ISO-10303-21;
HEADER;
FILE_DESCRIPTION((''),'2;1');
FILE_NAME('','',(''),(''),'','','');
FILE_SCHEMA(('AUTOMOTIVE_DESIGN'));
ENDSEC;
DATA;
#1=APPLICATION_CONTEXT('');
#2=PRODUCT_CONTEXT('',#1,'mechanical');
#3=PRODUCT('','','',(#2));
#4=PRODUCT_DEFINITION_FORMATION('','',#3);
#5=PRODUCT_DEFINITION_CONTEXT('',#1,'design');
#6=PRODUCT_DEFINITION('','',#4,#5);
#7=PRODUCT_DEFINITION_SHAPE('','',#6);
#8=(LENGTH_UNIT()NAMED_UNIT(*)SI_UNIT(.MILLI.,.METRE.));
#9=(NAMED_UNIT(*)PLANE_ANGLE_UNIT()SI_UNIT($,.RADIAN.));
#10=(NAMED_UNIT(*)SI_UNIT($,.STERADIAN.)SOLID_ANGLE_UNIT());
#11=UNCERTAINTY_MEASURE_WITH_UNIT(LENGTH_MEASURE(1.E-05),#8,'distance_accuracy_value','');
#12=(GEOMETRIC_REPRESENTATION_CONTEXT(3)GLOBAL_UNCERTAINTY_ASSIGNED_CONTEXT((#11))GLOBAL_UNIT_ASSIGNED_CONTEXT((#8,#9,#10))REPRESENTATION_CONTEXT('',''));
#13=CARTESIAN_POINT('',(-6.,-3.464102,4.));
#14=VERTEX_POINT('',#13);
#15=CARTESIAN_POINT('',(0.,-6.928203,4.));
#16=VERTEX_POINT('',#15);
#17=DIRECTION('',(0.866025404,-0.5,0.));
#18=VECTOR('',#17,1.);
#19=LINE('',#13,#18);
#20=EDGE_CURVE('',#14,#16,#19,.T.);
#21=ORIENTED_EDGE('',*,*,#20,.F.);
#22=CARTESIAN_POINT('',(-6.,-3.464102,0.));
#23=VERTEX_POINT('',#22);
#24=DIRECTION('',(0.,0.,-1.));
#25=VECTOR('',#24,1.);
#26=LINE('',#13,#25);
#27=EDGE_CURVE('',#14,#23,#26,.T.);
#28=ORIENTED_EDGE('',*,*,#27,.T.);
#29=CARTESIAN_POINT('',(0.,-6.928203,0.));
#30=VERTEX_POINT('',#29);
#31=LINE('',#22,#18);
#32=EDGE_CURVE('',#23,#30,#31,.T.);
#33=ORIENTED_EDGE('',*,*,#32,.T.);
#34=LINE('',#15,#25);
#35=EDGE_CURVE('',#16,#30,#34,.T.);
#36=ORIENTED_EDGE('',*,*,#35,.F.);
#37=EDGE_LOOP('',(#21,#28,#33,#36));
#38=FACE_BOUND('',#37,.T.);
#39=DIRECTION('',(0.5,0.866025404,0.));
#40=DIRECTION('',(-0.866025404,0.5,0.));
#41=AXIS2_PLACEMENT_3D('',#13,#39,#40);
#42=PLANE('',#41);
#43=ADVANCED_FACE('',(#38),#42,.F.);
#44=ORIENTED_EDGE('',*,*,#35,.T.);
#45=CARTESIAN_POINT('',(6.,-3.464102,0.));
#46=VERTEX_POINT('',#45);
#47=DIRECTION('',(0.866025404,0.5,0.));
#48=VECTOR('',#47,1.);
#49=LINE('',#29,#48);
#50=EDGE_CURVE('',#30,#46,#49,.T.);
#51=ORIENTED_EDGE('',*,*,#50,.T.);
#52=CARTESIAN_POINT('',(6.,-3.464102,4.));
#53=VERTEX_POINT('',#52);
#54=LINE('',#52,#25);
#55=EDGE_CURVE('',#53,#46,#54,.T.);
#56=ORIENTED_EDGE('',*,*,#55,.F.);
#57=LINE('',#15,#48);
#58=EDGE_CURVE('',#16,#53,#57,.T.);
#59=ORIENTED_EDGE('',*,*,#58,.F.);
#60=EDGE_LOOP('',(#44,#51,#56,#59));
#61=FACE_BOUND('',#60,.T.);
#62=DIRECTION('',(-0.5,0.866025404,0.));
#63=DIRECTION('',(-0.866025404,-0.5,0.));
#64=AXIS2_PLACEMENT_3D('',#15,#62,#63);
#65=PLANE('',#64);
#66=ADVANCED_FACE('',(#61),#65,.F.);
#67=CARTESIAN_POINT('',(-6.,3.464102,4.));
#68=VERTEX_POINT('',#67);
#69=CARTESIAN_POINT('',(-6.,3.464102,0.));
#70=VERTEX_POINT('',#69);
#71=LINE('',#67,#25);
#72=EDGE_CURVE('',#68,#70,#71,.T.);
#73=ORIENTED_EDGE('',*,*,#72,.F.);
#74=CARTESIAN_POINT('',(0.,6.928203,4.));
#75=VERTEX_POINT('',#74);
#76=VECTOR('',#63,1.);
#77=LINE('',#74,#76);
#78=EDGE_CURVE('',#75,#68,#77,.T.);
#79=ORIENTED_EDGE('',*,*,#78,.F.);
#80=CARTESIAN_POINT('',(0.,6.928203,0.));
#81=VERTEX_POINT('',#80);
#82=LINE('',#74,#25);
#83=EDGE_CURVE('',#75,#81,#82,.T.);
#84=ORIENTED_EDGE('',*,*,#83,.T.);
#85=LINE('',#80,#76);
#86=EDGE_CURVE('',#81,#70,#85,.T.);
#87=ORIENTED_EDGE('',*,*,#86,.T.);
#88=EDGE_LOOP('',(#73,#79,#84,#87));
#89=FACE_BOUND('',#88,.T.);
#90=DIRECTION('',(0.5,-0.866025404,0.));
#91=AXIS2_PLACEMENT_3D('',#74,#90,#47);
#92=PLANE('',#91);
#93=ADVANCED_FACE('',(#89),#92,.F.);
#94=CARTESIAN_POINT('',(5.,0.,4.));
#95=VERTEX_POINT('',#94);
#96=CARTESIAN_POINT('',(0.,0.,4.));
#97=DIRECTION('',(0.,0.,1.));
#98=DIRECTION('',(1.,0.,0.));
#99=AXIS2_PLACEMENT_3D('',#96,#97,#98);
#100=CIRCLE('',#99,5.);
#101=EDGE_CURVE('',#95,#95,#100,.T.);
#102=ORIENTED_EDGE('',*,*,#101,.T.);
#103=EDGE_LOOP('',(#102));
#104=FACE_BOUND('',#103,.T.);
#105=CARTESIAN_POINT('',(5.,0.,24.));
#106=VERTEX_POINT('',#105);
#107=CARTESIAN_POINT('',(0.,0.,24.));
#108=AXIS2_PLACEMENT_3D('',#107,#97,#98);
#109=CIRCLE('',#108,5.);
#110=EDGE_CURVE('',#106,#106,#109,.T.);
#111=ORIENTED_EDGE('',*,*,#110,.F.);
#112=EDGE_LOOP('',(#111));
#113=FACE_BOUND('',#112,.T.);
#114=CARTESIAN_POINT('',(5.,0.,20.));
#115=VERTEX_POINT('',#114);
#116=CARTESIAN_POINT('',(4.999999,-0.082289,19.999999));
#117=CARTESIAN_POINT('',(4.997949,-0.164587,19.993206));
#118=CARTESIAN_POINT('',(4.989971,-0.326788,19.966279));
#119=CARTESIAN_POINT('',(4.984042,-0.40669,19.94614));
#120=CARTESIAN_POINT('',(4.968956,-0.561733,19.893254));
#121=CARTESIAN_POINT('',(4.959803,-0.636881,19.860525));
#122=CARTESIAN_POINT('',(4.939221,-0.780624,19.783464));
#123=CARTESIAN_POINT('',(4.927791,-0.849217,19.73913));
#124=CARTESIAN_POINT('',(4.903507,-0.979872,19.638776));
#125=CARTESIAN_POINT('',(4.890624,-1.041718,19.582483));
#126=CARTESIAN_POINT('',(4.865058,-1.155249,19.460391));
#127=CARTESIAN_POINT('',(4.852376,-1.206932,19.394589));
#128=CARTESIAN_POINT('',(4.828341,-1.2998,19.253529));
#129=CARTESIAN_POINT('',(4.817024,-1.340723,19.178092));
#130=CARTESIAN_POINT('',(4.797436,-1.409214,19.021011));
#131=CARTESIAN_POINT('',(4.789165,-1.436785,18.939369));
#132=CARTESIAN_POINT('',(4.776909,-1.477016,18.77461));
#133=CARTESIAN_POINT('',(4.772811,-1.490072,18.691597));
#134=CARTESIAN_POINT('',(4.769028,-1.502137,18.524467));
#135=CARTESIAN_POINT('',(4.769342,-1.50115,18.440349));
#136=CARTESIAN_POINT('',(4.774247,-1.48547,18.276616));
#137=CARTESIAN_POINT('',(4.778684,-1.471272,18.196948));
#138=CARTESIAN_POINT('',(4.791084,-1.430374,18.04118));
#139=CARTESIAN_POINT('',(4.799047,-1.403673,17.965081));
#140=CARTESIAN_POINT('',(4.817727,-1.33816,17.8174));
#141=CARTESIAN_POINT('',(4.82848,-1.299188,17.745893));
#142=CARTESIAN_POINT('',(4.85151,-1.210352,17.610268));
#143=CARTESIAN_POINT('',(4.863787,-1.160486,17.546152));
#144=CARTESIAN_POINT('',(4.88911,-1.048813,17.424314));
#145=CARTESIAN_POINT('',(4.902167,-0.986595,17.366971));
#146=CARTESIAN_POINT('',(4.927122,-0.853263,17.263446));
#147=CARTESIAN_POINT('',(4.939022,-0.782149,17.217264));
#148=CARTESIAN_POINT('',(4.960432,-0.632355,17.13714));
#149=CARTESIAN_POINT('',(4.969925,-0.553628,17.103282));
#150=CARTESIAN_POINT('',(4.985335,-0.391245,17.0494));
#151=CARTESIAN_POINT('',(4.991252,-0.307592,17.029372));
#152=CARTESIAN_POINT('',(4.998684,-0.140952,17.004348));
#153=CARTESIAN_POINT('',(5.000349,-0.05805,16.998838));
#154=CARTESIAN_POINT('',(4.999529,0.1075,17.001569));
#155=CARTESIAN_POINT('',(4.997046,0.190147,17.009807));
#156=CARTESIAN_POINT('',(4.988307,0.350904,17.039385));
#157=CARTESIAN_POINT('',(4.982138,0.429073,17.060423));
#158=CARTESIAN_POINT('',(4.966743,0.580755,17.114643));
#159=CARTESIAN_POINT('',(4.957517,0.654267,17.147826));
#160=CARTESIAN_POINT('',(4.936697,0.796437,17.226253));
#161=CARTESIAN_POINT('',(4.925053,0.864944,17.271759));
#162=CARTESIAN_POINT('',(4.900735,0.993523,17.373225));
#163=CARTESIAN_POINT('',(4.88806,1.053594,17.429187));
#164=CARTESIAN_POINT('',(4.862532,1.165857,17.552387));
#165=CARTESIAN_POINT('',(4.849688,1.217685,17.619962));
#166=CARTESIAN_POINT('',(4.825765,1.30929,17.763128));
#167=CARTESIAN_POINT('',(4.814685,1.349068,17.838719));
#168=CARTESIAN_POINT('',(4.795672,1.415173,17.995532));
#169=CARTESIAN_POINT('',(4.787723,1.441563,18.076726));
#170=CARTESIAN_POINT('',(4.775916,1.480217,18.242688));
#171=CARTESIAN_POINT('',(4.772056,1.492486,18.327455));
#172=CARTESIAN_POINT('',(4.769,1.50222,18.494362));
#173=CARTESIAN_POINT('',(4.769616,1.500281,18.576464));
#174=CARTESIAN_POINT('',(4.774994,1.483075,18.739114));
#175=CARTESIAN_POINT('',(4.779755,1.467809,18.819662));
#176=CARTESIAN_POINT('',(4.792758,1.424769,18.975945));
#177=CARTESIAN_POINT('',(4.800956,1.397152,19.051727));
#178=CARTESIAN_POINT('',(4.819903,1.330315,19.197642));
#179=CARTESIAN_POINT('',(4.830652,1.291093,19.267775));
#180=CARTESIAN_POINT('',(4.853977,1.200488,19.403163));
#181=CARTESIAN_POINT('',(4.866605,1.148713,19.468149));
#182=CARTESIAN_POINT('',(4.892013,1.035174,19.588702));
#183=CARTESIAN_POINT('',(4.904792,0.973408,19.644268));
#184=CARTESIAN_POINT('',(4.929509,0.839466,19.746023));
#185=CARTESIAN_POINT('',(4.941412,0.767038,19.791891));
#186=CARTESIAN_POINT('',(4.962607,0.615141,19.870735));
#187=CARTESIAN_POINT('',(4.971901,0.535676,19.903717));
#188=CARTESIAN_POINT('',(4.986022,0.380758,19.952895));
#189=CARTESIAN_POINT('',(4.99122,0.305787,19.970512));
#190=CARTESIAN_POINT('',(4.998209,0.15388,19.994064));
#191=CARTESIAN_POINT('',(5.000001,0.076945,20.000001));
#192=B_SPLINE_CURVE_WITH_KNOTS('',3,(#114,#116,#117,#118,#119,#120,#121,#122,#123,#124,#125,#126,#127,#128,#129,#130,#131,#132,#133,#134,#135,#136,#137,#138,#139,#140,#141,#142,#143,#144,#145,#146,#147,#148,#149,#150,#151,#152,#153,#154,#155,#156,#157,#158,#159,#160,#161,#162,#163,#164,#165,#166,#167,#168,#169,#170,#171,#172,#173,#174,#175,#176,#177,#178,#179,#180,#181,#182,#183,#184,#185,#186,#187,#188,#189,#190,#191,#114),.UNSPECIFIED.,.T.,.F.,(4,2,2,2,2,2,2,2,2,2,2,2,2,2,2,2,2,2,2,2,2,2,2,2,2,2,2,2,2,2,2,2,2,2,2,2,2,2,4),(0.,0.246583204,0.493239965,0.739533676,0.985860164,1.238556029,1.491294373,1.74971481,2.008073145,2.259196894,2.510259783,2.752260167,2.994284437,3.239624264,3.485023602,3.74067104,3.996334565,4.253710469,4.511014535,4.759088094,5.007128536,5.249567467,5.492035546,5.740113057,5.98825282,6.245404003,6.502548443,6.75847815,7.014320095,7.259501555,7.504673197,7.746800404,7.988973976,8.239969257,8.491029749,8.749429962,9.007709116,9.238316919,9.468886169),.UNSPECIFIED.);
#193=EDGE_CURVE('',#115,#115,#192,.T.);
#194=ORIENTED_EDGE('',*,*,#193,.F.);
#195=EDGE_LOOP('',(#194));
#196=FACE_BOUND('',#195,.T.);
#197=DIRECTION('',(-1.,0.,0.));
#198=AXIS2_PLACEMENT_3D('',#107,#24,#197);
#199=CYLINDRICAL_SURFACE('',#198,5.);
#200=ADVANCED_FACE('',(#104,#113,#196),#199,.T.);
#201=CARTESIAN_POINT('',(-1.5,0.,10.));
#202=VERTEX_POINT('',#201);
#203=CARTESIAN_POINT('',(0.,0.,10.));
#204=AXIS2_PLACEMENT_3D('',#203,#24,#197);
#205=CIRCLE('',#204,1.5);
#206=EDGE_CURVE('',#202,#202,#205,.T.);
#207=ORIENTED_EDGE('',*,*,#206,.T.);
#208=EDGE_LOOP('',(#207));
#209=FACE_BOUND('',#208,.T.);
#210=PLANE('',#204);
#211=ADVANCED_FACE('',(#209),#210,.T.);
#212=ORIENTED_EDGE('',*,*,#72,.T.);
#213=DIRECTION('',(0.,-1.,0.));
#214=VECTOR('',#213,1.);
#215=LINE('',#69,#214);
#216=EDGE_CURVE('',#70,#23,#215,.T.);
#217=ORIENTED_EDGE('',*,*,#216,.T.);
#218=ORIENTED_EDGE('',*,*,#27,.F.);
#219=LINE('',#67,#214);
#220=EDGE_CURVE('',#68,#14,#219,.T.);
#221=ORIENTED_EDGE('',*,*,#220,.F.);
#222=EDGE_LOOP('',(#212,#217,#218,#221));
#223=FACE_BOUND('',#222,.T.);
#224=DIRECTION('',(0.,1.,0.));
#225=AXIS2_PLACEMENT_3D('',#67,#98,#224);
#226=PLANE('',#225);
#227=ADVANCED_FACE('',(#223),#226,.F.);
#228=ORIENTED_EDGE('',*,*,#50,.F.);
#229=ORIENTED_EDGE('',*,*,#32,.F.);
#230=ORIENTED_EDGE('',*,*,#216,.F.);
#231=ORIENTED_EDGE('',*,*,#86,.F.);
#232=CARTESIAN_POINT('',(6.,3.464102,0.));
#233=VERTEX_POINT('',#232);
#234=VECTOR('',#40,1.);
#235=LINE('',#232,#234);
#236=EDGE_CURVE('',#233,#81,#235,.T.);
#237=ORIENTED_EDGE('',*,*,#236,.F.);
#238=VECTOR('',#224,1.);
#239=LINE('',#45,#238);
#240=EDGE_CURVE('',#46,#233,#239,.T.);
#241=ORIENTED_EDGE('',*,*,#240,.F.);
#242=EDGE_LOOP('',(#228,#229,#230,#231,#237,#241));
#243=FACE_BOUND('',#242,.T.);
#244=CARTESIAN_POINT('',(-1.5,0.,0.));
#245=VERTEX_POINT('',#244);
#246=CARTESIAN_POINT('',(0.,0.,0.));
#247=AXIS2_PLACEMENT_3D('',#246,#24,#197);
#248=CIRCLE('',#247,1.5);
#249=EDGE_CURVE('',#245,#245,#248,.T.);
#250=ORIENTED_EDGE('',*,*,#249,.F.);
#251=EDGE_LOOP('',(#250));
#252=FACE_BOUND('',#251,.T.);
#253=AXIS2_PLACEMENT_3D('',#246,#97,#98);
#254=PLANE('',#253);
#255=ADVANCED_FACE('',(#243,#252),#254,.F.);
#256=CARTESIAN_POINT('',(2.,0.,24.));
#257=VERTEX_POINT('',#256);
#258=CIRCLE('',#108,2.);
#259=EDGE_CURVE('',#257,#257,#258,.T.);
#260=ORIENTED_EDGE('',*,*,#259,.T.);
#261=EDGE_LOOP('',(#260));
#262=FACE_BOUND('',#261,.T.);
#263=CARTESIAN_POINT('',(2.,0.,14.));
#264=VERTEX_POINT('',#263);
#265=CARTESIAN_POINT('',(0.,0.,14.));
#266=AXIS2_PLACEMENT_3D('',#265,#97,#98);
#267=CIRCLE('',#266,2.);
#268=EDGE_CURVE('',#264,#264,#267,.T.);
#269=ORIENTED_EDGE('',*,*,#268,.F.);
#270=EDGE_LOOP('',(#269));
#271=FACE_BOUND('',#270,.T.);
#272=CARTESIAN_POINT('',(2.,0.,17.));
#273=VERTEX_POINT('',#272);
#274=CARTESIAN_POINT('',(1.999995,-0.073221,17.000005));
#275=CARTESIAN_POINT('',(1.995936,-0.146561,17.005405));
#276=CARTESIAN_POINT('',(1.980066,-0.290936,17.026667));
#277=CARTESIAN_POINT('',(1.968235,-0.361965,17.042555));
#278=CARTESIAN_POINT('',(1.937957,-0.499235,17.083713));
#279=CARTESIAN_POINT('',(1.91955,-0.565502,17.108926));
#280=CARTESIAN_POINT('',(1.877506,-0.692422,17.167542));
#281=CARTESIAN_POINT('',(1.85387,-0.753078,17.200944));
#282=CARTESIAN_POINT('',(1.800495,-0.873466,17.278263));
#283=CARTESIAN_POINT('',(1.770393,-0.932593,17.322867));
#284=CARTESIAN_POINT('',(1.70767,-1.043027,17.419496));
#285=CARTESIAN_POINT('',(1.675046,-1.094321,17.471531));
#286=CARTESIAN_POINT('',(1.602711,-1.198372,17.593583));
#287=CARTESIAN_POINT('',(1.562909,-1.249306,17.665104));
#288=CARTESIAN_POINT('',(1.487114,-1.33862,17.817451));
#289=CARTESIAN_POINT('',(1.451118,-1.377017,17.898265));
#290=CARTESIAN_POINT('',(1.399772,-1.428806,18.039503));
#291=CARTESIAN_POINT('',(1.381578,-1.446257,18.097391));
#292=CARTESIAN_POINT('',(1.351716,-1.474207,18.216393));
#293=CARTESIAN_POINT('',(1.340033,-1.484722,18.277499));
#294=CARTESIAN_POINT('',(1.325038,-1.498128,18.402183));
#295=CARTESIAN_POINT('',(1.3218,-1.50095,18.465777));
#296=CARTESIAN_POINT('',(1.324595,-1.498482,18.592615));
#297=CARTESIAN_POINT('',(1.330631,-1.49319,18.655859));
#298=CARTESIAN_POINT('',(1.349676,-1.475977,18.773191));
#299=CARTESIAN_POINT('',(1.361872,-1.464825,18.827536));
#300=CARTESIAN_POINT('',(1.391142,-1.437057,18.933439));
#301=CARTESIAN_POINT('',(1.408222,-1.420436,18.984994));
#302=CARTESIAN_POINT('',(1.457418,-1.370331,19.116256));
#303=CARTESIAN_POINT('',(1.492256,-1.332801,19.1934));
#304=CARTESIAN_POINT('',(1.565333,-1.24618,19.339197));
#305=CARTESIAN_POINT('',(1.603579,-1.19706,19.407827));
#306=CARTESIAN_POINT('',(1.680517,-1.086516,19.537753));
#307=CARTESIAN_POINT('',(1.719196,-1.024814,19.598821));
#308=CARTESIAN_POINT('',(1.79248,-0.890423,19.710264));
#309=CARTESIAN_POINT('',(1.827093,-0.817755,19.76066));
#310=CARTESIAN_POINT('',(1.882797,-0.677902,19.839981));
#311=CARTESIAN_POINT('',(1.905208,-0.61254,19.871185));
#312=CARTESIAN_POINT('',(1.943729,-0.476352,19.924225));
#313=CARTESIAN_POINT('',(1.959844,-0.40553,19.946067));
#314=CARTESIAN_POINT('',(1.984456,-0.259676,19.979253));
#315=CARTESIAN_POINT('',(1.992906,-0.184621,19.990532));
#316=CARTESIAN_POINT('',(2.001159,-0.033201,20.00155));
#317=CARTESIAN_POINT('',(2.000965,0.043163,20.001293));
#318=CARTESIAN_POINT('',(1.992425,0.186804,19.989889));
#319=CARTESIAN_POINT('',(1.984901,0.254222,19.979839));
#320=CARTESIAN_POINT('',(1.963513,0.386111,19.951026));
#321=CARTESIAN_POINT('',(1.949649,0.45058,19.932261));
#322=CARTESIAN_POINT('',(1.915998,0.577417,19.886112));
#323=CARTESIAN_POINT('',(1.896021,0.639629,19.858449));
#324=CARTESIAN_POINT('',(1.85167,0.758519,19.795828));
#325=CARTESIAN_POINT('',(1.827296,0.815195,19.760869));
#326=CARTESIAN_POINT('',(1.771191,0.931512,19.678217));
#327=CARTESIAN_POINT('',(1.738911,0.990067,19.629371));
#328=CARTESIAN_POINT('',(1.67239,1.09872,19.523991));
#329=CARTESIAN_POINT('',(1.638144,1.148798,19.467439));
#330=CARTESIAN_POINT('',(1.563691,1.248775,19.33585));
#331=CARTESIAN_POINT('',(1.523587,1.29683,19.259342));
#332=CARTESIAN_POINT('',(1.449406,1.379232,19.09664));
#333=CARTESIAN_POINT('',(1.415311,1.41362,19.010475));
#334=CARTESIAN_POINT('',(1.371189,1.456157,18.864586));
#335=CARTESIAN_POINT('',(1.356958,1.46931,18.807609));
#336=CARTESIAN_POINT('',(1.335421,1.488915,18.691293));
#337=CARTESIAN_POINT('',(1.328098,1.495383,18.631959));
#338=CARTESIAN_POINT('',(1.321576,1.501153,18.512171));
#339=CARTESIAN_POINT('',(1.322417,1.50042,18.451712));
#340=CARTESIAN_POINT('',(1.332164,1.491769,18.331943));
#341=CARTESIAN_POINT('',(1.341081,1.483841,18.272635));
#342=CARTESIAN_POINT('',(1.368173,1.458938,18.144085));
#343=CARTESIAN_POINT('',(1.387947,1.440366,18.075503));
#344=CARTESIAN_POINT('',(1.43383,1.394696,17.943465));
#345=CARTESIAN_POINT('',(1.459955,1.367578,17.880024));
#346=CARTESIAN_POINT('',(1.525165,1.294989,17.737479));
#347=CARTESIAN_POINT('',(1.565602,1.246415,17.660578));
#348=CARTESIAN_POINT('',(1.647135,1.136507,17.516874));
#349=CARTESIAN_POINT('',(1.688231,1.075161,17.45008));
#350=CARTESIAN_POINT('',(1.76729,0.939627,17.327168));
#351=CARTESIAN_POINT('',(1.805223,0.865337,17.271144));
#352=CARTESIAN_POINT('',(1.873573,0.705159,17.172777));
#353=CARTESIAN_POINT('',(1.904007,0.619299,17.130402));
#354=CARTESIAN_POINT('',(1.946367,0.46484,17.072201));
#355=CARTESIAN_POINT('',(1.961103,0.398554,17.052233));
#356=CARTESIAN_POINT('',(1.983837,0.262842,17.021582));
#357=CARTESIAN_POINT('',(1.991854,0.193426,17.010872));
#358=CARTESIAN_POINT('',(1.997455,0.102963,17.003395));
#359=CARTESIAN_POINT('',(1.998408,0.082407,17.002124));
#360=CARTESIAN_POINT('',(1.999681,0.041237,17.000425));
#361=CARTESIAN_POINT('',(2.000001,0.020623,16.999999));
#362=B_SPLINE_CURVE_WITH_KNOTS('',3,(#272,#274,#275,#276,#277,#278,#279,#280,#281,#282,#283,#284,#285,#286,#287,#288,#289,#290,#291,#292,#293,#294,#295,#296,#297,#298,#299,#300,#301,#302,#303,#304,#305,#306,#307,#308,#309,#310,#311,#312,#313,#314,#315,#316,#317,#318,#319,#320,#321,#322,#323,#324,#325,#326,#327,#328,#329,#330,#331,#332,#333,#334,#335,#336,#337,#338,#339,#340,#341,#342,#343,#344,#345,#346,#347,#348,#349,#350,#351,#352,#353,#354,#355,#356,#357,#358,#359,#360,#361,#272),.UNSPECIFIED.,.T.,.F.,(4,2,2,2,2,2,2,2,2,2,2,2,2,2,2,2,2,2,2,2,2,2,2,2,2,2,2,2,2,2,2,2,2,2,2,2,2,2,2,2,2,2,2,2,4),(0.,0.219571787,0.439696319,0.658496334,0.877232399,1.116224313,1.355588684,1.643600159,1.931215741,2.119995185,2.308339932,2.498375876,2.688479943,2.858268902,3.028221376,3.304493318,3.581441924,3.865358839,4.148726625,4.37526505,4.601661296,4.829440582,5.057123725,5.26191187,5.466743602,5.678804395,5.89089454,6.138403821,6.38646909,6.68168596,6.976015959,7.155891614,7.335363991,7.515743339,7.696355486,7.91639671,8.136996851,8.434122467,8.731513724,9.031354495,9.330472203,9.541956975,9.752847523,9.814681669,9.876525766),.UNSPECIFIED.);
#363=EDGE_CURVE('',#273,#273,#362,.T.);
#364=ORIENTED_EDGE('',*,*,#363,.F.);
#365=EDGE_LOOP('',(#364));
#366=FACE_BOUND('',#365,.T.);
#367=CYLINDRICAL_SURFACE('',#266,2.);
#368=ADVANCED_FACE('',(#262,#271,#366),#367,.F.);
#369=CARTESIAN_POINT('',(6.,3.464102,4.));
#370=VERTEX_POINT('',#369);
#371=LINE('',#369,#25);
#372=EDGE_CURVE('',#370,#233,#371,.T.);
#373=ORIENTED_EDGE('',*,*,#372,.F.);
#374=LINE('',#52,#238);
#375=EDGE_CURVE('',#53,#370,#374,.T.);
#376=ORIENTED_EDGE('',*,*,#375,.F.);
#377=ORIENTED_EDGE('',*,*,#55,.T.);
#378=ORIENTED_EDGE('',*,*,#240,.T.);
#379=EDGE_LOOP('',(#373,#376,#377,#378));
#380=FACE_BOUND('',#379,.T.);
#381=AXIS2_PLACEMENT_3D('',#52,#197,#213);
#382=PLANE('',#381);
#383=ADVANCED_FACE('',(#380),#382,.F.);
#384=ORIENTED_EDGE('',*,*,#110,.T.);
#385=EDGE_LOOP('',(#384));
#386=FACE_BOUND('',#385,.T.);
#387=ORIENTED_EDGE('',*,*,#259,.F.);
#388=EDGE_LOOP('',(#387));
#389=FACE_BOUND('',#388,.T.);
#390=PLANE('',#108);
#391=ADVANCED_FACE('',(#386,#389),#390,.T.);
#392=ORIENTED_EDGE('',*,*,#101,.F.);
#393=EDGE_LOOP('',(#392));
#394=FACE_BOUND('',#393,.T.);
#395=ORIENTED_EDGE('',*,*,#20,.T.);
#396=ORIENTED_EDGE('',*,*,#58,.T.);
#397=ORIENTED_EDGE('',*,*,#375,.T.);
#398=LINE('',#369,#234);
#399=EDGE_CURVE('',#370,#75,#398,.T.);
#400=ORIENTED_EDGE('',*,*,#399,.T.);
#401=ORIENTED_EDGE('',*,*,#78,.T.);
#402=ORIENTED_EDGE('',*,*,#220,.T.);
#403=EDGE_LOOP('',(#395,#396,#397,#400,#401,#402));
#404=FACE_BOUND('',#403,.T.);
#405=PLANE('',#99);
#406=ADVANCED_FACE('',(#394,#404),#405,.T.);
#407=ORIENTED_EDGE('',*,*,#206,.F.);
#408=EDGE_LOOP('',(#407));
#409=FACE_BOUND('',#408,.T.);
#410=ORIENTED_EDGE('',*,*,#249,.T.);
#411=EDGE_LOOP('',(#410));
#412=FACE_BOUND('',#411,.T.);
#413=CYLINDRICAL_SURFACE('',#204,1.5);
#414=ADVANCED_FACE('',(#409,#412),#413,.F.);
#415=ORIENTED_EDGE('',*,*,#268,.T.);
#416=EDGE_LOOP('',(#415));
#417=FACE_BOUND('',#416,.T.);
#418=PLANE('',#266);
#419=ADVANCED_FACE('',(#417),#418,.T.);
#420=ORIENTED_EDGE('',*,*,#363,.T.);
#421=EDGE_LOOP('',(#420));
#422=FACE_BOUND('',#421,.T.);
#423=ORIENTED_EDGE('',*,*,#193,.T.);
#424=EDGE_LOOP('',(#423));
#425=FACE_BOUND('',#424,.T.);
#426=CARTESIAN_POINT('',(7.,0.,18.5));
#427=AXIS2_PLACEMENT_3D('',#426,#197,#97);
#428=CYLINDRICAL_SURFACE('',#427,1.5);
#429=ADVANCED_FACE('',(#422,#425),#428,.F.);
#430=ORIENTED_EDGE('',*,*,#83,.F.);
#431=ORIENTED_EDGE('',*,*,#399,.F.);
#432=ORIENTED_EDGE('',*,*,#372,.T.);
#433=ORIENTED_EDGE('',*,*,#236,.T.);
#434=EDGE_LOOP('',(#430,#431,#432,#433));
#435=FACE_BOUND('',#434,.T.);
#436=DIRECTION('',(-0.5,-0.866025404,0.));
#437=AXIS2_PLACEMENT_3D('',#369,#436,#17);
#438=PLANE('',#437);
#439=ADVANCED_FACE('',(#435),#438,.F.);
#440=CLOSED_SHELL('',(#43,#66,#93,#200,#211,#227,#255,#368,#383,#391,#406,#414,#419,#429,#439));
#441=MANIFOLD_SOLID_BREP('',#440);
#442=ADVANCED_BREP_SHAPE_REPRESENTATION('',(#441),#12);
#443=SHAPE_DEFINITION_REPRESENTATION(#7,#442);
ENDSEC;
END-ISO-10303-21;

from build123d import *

# Parameters (mm, degrees)
BOSS_EXTRUDE1_DEPTH = 4
SKETCH2_R           = 5
BOSS_EXTRUDE2_DEPTH = 20
SKETCH3_R           = 2
CUT_EXTRUDE1_DEPTH  = 10
SKETCH4_R           = 1.5
CUT_EXTRUDE2_DEPTH  = 7
SKETCH5_R           = 1.5
CUT_EXTRUDE3_DEPTH  = 10


with BuildPart() as part:
    # Sketch1 → Boss-Extrude1 (new body)
    with BuildSketch(Plane.XY):
        Polygon((0, 6.92820323), (-6, 3.464101615), (-6, -3.464101615), (0, -6.92820323), (6, -3.464101615), (6, 3.464101615), align=None)
    extrude(amount=BOSS_EXTRUDE1_DEPTH)

    # Sketch2 → Boss-Extrude2 (add)
    with BuildSketch(Plane.XY.offset(4)):
        Circle(SKETCH2_R)
    extrude(amount=BOSS_EXTRUDE2_DEPTH)

    # Sketch3 → Cut-Extrude1 (cut)
    with BuildSketch(Plane.XY.offset(24)):
        Circle(SKETCH3_R)
    extrude(amount=-CUT_EXTRUDE1_DEPTH, mode=Mode.SUBTRACT)

    # Sketch4 → Cut-Extrude2 (cut)
    with BuildSketch(Plane(origin=(0, 0, 0), x_dir=(0, 0, -1), z_dir=(1, 0, 0))):
        with Locations((-18.5, 0)):
            Circle(SKETCH4_R)
    extrude(amount=CUT_EXTRUDE2_DEPTH, mode=Mode.SUBTRACT)

    # Sketch5 → Cut-Extrude3 (cut)
    with BuildSketch(Plane(origin=(0, 0, 0), x_dir=(-1, 0, 0), z_dir=(0, 0, -1))):
        Circle(SKETCH5_R)
    extrude(amount=-CUT_EXTRUDE3_DEPTH, mode=Mode.SUBTRACT)


solid = part.part
